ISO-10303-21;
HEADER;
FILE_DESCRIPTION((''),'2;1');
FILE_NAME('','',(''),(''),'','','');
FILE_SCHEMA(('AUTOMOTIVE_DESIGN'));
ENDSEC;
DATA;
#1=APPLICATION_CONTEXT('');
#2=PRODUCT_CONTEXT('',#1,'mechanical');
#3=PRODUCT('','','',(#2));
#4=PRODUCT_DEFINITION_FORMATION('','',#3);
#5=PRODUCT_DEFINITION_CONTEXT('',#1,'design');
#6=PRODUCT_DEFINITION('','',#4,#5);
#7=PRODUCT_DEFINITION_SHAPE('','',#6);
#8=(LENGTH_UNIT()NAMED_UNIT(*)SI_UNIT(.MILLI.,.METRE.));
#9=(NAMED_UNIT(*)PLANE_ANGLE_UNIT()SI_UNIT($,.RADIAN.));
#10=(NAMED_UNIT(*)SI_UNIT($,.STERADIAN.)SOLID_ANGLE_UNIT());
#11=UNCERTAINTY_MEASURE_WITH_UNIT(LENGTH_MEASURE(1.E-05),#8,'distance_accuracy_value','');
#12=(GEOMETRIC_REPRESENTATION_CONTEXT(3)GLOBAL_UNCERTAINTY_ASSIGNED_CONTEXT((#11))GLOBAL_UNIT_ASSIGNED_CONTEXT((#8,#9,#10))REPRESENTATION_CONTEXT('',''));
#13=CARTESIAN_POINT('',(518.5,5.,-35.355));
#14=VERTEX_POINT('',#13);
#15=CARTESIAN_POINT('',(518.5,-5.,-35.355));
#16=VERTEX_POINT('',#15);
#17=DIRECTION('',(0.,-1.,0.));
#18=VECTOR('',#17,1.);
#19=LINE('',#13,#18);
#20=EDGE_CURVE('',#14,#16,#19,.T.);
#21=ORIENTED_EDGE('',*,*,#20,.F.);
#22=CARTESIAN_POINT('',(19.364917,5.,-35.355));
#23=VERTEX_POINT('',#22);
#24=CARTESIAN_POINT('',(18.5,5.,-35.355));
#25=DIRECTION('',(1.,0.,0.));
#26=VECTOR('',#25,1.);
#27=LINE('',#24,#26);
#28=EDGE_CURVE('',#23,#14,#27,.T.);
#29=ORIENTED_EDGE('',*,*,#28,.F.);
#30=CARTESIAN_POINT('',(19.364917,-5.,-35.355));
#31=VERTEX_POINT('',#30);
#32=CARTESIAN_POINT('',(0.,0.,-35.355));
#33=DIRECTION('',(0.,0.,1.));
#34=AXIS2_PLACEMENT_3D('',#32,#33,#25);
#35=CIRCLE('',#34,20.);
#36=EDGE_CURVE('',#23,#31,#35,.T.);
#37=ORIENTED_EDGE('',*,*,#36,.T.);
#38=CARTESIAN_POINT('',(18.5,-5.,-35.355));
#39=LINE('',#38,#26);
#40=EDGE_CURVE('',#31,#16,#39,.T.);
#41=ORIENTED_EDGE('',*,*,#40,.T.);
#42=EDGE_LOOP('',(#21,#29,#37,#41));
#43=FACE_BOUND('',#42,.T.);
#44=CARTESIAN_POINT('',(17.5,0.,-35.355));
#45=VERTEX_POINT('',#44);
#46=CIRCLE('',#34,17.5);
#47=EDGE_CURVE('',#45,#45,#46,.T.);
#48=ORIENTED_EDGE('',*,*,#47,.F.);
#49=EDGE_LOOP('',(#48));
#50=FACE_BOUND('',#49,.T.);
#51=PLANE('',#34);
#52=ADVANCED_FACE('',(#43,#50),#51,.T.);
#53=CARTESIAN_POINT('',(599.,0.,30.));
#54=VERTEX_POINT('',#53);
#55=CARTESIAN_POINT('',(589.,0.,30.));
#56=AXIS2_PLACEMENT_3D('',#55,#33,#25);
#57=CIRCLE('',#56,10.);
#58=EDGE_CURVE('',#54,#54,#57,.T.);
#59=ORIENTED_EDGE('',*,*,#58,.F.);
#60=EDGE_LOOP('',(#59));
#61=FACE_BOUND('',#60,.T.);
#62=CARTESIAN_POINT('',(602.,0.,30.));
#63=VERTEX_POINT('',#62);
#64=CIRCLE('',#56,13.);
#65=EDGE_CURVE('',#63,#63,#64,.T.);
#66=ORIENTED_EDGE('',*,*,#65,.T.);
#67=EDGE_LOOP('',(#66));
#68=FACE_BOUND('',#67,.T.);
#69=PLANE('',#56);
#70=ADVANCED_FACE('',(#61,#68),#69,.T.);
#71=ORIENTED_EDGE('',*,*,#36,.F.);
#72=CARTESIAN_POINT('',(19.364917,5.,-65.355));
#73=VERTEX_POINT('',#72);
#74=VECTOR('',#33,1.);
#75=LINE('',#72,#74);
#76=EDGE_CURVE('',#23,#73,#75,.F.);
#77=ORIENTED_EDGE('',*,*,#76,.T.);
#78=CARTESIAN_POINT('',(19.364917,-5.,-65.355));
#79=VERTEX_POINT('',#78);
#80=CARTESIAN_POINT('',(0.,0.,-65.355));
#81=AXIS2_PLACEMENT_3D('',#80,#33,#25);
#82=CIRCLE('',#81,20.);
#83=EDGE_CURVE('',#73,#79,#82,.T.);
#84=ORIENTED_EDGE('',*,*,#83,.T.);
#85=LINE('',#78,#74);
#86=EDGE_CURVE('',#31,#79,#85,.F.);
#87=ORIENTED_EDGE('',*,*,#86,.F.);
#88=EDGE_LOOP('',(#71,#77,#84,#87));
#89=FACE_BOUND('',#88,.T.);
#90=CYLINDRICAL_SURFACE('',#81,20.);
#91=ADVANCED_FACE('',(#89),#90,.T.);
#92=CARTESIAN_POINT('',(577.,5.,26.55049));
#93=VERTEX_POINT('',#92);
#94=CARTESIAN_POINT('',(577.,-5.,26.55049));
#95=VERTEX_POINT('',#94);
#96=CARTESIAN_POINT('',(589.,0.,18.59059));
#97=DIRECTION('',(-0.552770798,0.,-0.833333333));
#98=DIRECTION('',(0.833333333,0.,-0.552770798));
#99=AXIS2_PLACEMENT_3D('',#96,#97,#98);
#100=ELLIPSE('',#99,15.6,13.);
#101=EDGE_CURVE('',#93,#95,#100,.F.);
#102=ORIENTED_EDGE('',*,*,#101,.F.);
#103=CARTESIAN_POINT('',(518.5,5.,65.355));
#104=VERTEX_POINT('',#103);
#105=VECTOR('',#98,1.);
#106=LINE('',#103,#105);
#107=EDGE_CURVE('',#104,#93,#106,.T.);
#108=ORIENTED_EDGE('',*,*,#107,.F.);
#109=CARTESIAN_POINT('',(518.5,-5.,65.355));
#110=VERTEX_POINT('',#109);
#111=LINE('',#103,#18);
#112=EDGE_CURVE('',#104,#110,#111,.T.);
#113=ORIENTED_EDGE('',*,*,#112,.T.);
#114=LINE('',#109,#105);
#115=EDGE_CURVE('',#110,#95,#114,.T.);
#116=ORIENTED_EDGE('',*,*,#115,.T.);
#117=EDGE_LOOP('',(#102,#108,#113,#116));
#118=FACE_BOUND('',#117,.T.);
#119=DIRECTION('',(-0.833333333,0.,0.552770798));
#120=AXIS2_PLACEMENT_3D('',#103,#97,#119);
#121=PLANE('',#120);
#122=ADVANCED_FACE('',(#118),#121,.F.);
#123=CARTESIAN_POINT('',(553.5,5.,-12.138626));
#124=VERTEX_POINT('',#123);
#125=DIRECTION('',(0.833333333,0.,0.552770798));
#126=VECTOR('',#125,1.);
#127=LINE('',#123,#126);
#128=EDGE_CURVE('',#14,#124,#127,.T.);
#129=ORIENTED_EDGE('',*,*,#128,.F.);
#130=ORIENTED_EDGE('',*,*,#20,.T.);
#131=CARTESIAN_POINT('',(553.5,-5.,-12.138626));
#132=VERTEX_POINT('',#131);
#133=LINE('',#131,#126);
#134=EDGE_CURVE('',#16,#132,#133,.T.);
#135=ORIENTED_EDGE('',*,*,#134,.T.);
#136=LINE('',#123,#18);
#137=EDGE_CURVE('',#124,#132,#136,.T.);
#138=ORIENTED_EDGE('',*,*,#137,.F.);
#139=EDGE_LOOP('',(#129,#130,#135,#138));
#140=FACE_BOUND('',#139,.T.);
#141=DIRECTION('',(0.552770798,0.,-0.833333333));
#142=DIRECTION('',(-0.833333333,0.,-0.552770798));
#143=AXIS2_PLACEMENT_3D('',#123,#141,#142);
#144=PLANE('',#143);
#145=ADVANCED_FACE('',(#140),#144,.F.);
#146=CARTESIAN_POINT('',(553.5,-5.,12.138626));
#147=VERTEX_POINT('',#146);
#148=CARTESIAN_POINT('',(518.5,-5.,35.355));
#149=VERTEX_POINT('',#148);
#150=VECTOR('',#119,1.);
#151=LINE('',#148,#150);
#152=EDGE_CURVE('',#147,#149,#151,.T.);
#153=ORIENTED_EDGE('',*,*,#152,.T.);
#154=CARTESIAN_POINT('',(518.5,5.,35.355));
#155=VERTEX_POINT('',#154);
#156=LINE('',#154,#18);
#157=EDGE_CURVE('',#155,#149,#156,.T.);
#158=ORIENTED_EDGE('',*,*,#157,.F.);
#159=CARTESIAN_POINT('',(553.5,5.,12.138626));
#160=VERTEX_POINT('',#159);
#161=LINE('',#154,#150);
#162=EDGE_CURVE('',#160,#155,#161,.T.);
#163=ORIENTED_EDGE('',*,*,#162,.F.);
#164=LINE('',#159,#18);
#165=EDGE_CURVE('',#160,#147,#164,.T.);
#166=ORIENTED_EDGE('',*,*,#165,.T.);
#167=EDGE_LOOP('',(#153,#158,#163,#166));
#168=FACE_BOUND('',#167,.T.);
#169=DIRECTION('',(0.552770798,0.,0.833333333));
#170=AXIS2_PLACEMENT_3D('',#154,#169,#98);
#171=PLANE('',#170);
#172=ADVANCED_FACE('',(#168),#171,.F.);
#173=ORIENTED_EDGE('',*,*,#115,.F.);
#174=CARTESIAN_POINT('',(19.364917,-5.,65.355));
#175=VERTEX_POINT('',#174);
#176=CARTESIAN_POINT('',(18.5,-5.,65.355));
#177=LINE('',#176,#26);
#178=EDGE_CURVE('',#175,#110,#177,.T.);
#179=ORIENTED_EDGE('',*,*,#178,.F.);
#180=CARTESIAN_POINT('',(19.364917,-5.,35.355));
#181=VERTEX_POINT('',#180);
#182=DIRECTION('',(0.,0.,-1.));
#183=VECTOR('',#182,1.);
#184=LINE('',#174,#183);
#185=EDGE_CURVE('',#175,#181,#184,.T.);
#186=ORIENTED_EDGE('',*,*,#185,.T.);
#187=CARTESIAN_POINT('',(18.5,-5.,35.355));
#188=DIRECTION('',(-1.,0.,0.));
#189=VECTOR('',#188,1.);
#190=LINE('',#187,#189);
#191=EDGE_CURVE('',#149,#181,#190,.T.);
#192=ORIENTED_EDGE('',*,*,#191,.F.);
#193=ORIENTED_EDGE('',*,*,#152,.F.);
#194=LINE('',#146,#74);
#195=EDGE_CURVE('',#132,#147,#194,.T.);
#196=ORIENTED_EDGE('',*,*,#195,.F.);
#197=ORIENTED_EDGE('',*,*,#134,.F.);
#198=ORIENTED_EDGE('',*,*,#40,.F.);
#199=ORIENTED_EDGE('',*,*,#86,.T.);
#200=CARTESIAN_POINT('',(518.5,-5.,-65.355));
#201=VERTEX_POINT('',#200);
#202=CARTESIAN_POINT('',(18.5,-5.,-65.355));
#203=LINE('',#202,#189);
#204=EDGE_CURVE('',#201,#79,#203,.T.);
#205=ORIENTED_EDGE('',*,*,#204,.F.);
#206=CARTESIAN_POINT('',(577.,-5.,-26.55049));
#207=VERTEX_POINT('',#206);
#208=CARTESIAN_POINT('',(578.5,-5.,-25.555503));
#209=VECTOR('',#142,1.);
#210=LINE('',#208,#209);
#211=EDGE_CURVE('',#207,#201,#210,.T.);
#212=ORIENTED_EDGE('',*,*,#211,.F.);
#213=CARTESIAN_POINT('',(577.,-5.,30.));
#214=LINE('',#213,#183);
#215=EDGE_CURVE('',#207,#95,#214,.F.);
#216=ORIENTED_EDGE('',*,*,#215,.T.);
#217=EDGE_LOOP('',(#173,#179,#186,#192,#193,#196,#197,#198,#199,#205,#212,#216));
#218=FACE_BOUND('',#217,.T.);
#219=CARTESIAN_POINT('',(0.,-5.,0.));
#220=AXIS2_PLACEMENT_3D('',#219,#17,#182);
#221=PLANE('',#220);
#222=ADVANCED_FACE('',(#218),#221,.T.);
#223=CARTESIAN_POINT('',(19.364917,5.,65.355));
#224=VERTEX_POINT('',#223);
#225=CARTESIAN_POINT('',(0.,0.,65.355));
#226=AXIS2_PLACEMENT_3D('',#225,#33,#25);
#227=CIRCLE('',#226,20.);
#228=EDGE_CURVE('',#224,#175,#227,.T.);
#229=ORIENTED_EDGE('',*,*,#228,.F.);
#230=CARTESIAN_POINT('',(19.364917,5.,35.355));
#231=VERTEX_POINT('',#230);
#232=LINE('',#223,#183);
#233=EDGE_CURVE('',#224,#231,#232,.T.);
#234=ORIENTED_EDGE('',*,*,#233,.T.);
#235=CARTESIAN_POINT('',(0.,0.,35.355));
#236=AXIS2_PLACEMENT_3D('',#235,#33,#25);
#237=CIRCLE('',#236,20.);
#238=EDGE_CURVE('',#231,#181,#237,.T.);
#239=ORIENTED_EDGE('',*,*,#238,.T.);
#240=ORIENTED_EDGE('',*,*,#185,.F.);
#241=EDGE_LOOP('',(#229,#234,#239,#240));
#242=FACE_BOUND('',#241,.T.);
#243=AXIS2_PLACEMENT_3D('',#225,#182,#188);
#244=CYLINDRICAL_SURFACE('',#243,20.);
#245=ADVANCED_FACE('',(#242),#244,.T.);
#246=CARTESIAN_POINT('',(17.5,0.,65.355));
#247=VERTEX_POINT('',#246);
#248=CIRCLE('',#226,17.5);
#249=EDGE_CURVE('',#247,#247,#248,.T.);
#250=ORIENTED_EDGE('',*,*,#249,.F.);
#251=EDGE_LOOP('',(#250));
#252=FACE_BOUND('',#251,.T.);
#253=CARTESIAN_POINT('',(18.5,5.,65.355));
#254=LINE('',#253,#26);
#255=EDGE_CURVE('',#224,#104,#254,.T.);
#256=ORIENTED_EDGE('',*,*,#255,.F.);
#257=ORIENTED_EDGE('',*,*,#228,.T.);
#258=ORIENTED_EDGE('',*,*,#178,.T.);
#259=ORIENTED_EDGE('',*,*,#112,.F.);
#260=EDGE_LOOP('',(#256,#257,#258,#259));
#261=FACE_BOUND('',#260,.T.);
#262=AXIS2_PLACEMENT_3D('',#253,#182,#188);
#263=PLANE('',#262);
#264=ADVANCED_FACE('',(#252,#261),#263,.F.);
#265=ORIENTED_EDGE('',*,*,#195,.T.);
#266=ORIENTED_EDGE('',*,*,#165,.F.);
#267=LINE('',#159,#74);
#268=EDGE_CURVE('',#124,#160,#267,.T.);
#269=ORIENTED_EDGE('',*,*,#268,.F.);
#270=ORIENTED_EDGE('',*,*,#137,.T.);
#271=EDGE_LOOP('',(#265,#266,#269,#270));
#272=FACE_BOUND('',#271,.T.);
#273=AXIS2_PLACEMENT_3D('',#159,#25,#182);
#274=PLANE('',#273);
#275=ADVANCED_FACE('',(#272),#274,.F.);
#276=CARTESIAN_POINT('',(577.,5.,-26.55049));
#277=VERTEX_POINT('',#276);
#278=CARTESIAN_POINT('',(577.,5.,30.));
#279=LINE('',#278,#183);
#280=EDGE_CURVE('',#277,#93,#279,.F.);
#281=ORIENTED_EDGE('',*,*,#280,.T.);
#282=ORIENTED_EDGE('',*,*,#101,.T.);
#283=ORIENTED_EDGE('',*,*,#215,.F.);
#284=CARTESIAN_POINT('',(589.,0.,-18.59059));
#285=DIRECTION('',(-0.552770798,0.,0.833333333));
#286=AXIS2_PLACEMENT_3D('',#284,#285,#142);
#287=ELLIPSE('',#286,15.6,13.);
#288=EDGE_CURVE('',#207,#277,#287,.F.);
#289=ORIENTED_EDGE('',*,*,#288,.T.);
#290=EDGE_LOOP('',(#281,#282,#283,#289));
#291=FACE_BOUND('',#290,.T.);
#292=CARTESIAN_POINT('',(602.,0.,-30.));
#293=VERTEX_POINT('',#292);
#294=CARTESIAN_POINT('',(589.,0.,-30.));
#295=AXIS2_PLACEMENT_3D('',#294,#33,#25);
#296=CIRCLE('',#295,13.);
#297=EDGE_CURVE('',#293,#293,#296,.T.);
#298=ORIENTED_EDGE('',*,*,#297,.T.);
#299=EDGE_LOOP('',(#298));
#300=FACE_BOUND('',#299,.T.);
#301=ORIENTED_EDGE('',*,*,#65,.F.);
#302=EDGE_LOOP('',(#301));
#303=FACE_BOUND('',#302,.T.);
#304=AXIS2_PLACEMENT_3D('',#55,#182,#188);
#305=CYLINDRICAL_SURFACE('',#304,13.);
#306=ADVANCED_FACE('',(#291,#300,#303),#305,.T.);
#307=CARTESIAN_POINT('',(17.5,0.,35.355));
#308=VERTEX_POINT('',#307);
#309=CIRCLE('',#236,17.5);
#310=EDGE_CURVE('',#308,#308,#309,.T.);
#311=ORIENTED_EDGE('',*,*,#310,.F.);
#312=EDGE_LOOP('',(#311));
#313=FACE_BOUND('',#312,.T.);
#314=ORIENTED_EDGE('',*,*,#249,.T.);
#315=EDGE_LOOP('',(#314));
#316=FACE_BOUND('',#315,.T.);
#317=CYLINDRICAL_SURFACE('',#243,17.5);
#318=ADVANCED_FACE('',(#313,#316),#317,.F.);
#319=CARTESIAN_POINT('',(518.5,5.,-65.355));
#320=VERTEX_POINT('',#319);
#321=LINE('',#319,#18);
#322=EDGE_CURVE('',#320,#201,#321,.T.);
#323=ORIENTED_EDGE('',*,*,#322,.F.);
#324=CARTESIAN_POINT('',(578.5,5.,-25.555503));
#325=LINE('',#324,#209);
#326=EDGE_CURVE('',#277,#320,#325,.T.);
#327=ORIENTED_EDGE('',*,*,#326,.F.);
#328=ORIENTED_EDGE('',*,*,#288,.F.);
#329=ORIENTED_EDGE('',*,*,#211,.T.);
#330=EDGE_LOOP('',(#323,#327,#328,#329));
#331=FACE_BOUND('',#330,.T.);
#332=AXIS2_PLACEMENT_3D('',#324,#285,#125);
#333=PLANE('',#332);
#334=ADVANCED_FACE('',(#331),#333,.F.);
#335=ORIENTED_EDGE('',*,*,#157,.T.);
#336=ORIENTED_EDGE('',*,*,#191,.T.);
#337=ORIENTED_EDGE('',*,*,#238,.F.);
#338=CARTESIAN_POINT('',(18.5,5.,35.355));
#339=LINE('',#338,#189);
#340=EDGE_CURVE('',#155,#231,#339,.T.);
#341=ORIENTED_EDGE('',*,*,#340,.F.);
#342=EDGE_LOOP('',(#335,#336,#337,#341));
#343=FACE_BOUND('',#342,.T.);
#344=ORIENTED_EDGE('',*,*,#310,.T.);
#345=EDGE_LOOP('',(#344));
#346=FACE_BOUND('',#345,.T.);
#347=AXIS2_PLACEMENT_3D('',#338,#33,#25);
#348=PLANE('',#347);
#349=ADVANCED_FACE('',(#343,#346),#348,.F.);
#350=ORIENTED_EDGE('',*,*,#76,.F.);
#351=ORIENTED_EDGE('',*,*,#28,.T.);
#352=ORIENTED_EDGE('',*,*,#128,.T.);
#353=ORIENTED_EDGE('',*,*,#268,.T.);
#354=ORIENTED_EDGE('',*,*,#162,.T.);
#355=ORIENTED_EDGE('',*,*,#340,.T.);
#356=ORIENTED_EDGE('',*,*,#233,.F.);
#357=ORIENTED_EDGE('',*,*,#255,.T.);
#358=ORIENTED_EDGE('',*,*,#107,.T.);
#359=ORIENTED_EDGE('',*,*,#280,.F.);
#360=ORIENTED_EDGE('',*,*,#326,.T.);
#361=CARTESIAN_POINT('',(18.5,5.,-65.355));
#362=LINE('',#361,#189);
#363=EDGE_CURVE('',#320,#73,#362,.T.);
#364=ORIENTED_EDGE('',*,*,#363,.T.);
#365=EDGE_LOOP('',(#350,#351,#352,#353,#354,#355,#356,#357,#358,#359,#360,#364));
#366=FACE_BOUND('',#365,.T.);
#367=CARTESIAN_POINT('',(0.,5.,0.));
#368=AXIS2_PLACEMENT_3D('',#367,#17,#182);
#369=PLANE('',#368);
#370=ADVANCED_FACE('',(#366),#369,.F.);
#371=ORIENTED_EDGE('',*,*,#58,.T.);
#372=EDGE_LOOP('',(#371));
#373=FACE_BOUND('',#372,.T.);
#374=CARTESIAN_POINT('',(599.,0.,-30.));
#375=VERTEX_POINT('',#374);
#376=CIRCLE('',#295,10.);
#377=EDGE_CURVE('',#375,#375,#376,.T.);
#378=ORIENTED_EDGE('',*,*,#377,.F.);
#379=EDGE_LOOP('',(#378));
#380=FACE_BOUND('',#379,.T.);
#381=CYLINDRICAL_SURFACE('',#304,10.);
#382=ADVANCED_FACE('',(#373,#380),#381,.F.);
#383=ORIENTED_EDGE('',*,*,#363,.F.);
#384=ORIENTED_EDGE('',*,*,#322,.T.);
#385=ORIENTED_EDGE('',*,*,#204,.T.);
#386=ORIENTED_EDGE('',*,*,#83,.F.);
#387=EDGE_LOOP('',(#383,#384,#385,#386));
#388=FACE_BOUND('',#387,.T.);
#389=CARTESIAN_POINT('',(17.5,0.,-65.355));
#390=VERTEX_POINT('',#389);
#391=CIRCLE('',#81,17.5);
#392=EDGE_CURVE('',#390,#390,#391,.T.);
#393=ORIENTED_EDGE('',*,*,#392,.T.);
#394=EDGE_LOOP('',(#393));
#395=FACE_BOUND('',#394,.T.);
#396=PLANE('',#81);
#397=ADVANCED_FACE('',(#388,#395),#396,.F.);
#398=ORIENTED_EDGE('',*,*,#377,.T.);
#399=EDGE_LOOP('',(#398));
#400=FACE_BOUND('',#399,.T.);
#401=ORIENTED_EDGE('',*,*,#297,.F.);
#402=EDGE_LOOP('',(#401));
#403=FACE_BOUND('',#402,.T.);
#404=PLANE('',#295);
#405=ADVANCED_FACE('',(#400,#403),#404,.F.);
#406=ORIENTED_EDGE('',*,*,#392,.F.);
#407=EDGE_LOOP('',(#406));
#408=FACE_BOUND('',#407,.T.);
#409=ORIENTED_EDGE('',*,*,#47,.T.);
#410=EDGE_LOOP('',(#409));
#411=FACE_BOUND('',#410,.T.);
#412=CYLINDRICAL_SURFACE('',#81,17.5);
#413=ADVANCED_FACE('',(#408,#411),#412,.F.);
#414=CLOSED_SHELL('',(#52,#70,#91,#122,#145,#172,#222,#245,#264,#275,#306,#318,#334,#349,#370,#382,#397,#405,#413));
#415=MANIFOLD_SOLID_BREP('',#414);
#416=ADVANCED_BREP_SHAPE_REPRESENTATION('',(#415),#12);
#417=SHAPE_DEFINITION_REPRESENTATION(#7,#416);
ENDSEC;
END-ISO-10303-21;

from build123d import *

# Parameters (mm, degrees)
SKETCH2_R           = 20
SKETCH2_R_2         = 17.5
BOSS_EXTRUDE1_DEPTH = 30
SKETCH3_R           = 20
SKETCH3_R_2         = 17.5
BOSS_EXTRUDE2_DEPTH = 30
BOSS_EXTRUDE3_DEPTH = 5
SKETCH5_R           = 13
SKETCH5_R_2         = 10
BOSS_EXTRUDE4_DEPTH = 30


with BuildPart() as part:
    # Sketch2 → Boss-Extrude1 (new body)
    with BuildSketch(Plane.XY.offset(-35.355)):
        Circle(SKETCH2_R)
        Circle(SKETCH2_R_2, mode=Mode.SUBTRACT)
    extrude(amount=-BOSS_EXTRUDE1_DEPTH)



with BuildPart() as body_2:
    # Sketch3 → Boss-Extrude2 (new body)
    with BuildSketch(Plane.XY.offset(35.355)):
        Circle(SKETCH3_R)
        Circle(SKETCH3_R_2, mode=Mode.SUBTRACT)
    extrude(amount=BOSS_EXTRUDE2_DEPTH)


with BuildPart() as part_1:
    add(part.part)

    add(body_2.part)  # Boss-Extrude3 merges body 2
    # Sketch4 → Boss-Extrude3 (add, symmetric)
    with BuildSketch(Plane(origin=(0, 0, 0), x_dir=(1, 0, 0), z_dir=(0, 1, 0))):
        Polygon((18.5, -65.355), (18.5, -35.355), (518.5, -35.355), (553.5, -12.138626468), (553.5, 12.138626468), (518.5, 35.355), (18.5, 35.355), (18.5, 65.355), (518.5, 65.355), (578.5, 25.555502516), (578.5, -25.555502516), (518.5, -65.355), align=None)
    extrude(amount=BOSS_EXTRUDE3_DEPTH, both=True)

    # Sketch5 → Boss-Extrude4 (add, symmetric)
    with BuildSketch(Plane.XY):
        with Locations((589, 0)):
            Circle(SKETCH5_R)
        with Locations((589, 0)):
            Circle(SKETCH5_R_2, mode=Mode.SUBTRACT)
    extrude(amount=BOSS_EXTRUDE4_DEPTH, both=True)


solid = part_1.part
